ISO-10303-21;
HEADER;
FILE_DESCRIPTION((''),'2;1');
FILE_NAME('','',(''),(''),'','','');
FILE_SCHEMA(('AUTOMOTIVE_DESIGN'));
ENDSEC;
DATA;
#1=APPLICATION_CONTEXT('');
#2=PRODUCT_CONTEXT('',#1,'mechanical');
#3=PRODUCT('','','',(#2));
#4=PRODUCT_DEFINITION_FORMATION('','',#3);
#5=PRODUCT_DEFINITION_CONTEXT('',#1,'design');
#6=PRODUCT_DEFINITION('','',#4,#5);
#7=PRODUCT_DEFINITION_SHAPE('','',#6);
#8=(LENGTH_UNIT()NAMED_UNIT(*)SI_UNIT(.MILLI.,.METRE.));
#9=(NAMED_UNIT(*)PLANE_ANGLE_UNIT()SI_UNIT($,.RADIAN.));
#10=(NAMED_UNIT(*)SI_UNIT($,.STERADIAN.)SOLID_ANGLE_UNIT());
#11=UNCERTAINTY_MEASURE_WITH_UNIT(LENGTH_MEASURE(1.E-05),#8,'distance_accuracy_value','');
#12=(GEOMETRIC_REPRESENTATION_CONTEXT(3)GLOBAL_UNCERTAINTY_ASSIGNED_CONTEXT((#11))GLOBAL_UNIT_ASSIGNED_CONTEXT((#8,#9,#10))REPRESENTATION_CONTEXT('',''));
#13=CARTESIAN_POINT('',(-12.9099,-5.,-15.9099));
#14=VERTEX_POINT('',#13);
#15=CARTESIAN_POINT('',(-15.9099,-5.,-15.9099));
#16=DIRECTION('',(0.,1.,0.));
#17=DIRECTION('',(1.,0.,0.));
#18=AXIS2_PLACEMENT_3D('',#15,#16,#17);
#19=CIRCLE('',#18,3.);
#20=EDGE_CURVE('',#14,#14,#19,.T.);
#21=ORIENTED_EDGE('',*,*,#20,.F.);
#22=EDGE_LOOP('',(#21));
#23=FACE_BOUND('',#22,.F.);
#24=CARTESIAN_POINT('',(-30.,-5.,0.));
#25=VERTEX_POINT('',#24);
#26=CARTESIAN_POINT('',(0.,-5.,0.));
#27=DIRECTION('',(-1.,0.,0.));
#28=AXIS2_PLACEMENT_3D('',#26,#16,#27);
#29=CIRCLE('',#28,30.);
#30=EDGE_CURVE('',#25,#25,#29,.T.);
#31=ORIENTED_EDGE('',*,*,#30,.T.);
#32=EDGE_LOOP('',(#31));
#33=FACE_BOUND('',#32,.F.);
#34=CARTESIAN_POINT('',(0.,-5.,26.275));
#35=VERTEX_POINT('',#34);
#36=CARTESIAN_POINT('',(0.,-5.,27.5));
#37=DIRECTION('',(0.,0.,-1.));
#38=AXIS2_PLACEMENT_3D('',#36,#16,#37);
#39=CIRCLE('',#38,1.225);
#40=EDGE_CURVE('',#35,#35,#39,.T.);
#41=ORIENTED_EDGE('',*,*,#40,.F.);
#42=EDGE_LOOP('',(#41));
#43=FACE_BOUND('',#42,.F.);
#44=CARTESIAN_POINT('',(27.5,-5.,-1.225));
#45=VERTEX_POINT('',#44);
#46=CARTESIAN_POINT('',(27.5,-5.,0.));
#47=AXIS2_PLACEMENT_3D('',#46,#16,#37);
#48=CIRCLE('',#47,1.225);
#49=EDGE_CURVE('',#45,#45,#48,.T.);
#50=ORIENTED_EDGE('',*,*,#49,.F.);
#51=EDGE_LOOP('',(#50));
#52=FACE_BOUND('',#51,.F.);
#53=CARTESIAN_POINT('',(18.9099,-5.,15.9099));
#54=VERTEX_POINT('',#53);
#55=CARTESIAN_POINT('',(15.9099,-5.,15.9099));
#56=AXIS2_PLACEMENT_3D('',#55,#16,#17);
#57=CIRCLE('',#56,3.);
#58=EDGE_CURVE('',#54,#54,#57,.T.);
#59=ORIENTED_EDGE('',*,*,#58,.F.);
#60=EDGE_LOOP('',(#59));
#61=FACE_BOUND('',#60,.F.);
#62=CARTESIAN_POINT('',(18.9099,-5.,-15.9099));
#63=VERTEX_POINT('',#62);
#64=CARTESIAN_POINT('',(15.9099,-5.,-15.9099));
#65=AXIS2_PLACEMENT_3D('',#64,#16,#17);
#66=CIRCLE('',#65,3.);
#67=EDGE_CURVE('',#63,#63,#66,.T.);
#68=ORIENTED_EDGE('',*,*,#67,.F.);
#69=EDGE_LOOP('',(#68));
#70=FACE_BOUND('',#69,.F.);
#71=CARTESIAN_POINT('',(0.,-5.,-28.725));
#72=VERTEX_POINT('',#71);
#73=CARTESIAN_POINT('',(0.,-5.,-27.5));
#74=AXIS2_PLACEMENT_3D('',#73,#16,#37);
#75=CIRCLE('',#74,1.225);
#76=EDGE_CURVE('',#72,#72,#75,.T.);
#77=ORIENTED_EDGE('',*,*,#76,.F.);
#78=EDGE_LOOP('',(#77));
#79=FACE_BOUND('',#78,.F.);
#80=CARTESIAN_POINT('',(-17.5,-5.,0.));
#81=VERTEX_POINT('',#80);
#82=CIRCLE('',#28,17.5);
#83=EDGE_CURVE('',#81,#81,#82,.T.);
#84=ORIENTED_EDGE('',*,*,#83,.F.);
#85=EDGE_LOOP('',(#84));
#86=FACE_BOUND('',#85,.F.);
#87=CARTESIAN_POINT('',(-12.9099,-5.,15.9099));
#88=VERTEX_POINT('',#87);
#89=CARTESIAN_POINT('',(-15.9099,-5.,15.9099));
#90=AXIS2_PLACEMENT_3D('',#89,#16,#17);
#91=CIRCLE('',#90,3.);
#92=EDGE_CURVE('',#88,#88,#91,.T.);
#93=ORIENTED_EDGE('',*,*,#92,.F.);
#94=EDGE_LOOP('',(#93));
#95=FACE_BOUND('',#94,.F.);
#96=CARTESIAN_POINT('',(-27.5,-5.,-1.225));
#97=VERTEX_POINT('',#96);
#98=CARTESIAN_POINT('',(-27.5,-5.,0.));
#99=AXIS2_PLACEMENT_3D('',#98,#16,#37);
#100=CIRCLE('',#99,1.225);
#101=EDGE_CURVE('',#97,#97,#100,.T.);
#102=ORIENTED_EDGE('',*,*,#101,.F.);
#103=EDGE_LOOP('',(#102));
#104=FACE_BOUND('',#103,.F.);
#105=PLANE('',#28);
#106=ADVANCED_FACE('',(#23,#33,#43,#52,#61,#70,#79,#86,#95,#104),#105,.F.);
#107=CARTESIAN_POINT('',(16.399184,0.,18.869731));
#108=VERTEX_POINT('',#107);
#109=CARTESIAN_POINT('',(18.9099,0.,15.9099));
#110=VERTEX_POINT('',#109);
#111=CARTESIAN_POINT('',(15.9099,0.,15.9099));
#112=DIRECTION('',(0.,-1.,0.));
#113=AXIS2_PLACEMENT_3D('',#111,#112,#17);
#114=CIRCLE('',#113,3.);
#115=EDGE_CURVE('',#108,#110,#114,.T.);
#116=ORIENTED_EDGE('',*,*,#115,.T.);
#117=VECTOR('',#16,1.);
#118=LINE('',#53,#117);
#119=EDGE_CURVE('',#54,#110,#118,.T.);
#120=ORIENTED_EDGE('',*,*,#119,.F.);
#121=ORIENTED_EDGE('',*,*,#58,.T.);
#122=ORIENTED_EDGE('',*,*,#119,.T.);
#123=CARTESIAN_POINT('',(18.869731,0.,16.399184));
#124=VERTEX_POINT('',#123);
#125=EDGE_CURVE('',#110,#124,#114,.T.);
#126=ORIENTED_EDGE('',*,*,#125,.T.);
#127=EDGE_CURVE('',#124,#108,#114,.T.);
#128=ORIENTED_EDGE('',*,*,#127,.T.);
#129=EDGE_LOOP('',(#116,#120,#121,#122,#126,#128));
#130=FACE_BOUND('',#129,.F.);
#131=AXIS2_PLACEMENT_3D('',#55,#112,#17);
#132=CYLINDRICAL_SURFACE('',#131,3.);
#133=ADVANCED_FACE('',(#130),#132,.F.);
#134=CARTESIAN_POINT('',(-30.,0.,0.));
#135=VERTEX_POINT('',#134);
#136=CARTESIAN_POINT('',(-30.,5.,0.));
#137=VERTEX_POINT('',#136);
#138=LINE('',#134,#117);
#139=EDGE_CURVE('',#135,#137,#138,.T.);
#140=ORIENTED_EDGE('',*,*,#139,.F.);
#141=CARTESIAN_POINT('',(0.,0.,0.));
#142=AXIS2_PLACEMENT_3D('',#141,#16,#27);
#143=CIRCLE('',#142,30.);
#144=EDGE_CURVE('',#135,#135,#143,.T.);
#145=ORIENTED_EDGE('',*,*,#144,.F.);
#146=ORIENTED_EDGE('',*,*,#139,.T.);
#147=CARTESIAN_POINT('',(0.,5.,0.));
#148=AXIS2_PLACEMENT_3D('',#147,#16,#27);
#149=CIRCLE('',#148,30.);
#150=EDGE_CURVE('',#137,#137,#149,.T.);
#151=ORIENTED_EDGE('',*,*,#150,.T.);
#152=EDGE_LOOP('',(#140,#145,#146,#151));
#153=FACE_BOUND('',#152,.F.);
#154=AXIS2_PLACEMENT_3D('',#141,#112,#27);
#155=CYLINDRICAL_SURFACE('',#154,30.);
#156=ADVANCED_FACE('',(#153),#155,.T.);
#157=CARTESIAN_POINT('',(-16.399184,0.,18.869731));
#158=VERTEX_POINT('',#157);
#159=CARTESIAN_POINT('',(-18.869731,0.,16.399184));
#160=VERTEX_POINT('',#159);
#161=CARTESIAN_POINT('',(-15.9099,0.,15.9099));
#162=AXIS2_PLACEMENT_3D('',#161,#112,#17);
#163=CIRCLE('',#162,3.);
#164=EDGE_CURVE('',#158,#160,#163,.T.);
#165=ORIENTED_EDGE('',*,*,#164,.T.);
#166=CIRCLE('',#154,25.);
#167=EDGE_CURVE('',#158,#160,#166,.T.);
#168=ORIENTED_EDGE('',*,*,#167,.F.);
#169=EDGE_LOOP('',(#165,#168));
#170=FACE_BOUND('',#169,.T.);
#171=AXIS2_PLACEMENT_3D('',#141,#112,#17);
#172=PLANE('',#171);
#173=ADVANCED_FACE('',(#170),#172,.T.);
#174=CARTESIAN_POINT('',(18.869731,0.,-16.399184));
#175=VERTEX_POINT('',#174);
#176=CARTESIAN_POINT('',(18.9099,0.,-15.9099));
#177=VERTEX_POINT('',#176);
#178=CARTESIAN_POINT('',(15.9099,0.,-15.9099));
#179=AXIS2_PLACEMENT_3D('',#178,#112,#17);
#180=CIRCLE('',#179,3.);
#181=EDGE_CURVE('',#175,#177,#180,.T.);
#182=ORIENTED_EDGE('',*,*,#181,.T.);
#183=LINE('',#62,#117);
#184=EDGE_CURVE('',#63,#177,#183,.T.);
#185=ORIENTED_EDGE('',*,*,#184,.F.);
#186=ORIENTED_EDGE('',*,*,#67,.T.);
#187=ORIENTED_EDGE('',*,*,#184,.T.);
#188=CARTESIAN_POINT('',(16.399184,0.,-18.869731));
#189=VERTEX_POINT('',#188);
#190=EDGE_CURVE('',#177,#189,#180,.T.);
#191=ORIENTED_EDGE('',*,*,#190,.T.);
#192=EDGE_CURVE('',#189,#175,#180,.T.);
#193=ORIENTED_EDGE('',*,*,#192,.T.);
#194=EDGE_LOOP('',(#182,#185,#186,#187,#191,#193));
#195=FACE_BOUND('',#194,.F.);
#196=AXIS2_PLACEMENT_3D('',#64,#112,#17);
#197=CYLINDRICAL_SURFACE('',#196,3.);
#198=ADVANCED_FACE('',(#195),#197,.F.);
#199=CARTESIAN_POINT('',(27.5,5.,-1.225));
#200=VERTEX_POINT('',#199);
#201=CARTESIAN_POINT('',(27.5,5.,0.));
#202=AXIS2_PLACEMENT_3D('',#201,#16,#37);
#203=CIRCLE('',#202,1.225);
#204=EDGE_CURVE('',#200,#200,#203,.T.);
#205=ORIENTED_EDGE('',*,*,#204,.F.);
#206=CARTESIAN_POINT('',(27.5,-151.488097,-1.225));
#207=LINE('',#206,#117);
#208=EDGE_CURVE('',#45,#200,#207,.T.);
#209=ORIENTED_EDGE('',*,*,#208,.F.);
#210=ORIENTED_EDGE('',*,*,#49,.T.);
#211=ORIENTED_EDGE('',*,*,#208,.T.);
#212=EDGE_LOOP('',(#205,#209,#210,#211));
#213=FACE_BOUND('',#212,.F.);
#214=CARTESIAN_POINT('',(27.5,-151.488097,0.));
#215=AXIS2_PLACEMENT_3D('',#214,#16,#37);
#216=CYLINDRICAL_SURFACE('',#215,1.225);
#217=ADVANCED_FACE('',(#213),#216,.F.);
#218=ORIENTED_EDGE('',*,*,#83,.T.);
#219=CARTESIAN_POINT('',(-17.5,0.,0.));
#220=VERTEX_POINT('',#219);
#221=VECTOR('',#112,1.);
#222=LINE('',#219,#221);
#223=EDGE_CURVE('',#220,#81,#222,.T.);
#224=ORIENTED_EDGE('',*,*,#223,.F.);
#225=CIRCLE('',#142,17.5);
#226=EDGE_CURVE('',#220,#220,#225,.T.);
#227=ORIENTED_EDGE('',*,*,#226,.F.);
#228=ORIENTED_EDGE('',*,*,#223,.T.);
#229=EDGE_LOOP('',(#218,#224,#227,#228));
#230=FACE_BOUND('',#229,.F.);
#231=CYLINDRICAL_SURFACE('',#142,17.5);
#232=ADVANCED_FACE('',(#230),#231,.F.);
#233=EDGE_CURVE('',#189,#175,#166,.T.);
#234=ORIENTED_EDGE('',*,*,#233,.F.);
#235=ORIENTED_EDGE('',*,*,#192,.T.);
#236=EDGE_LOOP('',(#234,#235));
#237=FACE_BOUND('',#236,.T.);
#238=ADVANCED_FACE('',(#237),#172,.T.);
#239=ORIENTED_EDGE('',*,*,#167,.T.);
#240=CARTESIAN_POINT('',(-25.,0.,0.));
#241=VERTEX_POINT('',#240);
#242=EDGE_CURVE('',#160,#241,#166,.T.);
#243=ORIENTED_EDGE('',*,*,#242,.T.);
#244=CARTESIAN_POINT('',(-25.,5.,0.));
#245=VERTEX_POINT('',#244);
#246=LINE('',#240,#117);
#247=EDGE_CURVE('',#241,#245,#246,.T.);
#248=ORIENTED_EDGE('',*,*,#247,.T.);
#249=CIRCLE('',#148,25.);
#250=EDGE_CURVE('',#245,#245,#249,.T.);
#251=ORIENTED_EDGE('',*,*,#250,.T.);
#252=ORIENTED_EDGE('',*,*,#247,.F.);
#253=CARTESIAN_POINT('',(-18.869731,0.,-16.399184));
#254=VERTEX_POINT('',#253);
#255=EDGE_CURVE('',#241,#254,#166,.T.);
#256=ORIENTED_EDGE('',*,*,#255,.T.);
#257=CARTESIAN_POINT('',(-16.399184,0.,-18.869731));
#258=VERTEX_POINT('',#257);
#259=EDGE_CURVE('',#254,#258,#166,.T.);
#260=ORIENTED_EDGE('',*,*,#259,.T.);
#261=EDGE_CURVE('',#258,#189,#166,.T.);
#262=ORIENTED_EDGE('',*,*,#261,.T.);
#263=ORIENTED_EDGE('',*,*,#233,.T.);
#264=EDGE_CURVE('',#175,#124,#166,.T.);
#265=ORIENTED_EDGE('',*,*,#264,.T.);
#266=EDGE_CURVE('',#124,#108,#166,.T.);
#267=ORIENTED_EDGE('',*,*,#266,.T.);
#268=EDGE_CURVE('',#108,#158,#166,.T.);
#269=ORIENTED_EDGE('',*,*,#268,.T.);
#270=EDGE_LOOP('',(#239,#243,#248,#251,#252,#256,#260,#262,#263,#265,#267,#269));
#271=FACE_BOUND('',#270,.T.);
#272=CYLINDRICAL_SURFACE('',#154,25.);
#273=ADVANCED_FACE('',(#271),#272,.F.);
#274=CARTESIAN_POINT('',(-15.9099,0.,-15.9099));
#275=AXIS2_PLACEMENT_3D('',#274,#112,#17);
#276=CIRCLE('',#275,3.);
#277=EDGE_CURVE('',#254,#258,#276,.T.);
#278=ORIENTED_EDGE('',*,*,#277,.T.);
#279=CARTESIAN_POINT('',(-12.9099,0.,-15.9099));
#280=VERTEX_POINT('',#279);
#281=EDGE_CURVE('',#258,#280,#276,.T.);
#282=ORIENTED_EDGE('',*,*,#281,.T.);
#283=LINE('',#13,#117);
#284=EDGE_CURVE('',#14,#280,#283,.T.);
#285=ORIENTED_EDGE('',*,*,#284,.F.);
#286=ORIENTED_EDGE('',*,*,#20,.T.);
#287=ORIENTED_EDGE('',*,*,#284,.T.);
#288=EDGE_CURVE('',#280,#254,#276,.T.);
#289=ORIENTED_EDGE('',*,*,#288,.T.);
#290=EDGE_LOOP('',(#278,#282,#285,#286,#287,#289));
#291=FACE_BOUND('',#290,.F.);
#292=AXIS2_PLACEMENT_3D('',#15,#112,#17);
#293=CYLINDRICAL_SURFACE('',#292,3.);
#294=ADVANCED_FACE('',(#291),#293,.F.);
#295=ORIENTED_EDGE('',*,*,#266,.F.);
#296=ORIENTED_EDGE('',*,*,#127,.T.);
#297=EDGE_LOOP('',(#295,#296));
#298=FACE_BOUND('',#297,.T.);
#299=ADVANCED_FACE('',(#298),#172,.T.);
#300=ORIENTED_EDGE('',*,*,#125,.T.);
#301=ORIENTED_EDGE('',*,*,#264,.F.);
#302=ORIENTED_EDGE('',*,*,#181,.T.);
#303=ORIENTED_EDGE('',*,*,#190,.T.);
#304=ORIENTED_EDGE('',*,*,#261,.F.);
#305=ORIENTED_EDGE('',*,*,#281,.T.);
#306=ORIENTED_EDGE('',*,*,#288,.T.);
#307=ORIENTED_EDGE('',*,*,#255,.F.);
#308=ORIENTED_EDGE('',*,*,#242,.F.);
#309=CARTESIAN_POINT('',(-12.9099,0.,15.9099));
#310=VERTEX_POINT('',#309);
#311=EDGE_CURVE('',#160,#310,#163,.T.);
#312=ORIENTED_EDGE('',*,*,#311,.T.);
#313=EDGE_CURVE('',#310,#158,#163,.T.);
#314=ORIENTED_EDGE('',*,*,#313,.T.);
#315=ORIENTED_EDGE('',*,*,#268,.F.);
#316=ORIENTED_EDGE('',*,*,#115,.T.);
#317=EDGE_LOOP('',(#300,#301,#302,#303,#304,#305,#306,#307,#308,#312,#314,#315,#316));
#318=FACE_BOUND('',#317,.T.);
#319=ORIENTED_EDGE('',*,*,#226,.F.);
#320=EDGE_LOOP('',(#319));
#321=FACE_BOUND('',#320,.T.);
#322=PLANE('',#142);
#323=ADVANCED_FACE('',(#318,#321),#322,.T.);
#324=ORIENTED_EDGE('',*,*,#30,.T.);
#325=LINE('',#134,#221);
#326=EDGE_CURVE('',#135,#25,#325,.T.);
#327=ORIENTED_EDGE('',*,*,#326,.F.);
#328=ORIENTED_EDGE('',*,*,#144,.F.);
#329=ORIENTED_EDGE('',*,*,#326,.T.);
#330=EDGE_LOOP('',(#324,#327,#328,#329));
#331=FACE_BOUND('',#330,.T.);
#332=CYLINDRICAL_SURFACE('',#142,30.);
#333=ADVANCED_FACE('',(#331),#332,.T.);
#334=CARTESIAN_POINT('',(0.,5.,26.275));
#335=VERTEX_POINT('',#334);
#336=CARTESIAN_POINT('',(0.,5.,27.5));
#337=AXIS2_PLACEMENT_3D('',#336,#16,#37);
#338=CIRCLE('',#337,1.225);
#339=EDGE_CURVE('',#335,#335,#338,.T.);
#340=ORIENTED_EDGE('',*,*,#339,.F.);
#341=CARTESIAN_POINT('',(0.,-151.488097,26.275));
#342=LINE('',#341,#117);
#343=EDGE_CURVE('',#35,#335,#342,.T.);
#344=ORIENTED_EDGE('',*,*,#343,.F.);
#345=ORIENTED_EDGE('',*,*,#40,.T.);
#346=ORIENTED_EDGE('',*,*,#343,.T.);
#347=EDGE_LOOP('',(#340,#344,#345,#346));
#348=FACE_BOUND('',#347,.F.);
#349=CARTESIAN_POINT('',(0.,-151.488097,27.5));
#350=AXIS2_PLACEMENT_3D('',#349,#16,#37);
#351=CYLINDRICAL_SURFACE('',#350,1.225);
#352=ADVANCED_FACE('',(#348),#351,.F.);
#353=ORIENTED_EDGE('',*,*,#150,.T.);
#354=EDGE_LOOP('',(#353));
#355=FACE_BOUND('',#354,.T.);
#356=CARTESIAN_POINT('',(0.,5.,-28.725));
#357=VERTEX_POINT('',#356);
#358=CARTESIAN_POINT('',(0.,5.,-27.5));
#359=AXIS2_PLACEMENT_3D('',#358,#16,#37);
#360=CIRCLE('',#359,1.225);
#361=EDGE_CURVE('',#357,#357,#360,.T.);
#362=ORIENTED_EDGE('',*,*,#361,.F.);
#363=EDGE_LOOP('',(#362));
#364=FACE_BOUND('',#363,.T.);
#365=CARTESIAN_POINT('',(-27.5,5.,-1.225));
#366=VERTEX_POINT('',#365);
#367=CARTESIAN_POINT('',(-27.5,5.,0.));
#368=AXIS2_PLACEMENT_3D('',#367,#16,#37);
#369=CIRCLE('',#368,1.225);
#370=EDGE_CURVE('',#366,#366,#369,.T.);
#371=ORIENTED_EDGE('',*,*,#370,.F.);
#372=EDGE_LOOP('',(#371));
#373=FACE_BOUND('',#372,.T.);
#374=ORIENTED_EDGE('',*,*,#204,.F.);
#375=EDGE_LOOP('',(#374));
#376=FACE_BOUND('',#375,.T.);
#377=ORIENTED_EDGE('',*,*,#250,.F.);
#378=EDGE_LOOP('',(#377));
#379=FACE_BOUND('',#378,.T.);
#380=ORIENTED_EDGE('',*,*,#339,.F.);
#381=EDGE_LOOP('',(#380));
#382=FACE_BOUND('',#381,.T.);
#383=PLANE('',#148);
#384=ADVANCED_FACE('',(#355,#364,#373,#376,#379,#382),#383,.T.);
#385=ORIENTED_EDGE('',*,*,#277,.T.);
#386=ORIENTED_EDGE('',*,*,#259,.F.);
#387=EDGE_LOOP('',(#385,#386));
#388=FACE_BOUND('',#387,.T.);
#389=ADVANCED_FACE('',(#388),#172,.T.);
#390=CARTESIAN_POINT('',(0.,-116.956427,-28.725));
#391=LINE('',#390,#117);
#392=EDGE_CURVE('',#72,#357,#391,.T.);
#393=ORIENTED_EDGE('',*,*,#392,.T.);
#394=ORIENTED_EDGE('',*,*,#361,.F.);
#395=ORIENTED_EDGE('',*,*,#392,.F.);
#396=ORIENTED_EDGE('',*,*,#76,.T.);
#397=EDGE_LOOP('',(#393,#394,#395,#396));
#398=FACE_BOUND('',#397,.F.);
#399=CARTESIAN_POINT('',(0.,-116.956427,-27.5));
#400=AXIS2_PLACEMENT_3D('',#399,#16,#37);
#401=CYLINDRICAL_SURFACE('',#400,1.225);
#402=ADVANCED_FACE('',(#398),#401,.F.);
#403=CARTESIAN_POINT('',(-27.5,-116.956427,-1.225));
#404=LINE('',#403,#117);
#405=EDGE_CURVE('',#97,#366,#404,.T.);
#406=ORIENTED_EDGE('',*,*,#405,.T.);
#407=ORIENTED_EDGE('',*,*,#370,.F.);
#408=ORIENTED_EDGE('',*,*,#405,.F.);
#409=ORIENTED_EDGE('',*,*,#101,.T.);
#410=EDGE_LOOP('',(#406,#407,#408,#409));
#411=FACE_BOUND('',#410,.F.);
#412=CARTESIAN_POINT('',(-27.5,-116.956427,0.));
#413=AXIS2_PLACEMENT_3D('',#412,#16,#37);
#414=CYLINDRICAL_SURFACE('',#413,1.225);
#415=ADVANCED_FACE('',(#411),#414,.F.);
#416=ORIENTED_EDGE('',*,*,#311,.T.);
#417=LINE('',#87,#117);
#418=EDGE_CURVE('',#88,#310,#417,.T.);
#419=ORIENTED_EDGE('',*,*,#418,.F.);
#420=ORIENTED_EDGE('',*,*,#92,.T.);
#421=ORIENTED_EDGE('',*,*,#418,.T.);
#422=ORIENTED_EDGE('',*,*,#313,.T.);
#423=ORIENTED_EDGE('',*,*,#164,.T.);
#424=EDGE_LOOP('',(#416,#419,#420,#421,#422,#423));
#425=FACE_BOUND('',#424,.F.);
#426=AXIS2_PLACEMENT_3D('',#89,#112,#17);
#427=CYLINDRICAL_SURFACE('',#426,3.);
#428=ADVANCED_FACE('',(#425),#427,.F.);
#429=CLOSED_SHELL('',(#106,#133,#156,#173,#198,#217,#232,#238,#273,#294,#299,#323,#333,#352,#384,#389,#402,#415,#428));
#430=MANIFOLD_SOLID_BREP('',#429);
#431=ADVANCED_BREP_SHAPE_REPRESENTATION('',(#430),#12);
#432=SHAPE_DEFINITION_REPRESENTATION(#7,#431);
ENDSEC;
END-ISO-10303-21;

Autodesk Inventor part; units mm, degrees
ref_plane "YZ Plane" through (0, 0, 0) normal (1, 0, 0) x (0, 1, 0)
ref_plane "XZ Plane" through (0, 0, 0) normal (0, 1, 0) x (-1, 0, 0)
ref_plane "XY Plane" through (0, 0, 0) normal (0, 0, 1) x (1, 0, 0)
sketch "Sketch1" plane through (0, 0, 0) normal (0, 1, 0) x (-1, 0, 0)
  circle A0 centre (0, 0) radius 25
  circle A1 centre (0, 0) radius 30
  circle A2 centre (0, 0) radius 17.5
  line L0 (0, 0) -> (25, 0) construction
  circle A3 centre (17.6777, -17.6777) radius 2
  circle A4 centre (17.6777, 17.6777) radius 2
  circle A5 centre (-17.6777, 17.6777) radius 2
  circle A6 centre (-17.6777, -17.6777) radius 2
  point P0 (0, -27.5)
  point P1 (0, -27.5)
  point P2 (27.5, 0)
  point P3 (-27.5, 0)
  point P4 (0, 27.5)
  dimension "d0" = 50
  dimension "d1" = 60
  dimension "d17" = 27.5
  dimension "d18" = 27.5
  dimension "d19" = 27.5
  dimension "d20" = 27.5
  dimension "d28" = 35
  dimension "d30" = 4
  dimension "d33" = 360
extrude "Extrusion1" add sketch "Sketch1" along normal blind 5 contours A0 A4 | A3 A0 | A0 A5 | A6 A0 | A1 picked at (18.1752, 18.1125) picked at (18.1752, -18.1125) picked at (-18.083, 18.1995) picked at (-18.083, -18.1995)
extrude "Extrusion2" add sketch "Sketch1" against normal blind 5 contours A0 A3 A6 A5 A4 | A4 A0 | A0 A4 | A3 A0 | A0 A3 | A5 A0 | A0 A5 | A6 A0 | A0 A6 | A1
hole "Hole2" at (0, 0, -27.5) at (-27.5, 0, 0) at (27.5, 0, 0) at (0, 0, 27.5) direction (0, 1, 0) diameter 2.45 end through all both
sketch "Sketch2" plane through (0, -5, 0) normal (0, -1, 0) x (1, 0, 0)
  circle A0 centre (0, 0) radius 22.5
  line L0 (0, 0) -> (15.9099, 15.9099)
  line L1 (0, 0) -> (22.5, 0) construction
  circle A1 centre (15.9099, 15.9099) radius 3
  circle A2 centre (-15.9099, 15.9099) radius 3
  circle A3 centre (-15.9099, -15.9099) radius 3
  circle A4 centre (15.9099, -15.9099) radius 3
  dimension "d35" = 45
  dimension "d36" = 45
  dimension "d37" = 6
  dimension "d40" = 360
extrude "Extrusion3" cut sketch "Sketch2" against normal blind 5 contours A1 L0 A0 | A0 A1 | A4 A0 | A0 A4 | L0 A1 A0 | A3 A0 | A0 A3 | A2 A0 | A0 A2
thread "Thread1" size "M6x1" class "6H" standard "ISO Metric profile" full length
thread "Thread2" size "M6x1" class "6H" standard "ISO Metric profile" full length
thread "Thread3" size "M6x1" class "6H" standard "ISO Metric profile" full length
thread "Thread4" size "M6x1" class "6H" standard "ISO Metric profile" full length
properties part number "Placeholderjointouterring"
